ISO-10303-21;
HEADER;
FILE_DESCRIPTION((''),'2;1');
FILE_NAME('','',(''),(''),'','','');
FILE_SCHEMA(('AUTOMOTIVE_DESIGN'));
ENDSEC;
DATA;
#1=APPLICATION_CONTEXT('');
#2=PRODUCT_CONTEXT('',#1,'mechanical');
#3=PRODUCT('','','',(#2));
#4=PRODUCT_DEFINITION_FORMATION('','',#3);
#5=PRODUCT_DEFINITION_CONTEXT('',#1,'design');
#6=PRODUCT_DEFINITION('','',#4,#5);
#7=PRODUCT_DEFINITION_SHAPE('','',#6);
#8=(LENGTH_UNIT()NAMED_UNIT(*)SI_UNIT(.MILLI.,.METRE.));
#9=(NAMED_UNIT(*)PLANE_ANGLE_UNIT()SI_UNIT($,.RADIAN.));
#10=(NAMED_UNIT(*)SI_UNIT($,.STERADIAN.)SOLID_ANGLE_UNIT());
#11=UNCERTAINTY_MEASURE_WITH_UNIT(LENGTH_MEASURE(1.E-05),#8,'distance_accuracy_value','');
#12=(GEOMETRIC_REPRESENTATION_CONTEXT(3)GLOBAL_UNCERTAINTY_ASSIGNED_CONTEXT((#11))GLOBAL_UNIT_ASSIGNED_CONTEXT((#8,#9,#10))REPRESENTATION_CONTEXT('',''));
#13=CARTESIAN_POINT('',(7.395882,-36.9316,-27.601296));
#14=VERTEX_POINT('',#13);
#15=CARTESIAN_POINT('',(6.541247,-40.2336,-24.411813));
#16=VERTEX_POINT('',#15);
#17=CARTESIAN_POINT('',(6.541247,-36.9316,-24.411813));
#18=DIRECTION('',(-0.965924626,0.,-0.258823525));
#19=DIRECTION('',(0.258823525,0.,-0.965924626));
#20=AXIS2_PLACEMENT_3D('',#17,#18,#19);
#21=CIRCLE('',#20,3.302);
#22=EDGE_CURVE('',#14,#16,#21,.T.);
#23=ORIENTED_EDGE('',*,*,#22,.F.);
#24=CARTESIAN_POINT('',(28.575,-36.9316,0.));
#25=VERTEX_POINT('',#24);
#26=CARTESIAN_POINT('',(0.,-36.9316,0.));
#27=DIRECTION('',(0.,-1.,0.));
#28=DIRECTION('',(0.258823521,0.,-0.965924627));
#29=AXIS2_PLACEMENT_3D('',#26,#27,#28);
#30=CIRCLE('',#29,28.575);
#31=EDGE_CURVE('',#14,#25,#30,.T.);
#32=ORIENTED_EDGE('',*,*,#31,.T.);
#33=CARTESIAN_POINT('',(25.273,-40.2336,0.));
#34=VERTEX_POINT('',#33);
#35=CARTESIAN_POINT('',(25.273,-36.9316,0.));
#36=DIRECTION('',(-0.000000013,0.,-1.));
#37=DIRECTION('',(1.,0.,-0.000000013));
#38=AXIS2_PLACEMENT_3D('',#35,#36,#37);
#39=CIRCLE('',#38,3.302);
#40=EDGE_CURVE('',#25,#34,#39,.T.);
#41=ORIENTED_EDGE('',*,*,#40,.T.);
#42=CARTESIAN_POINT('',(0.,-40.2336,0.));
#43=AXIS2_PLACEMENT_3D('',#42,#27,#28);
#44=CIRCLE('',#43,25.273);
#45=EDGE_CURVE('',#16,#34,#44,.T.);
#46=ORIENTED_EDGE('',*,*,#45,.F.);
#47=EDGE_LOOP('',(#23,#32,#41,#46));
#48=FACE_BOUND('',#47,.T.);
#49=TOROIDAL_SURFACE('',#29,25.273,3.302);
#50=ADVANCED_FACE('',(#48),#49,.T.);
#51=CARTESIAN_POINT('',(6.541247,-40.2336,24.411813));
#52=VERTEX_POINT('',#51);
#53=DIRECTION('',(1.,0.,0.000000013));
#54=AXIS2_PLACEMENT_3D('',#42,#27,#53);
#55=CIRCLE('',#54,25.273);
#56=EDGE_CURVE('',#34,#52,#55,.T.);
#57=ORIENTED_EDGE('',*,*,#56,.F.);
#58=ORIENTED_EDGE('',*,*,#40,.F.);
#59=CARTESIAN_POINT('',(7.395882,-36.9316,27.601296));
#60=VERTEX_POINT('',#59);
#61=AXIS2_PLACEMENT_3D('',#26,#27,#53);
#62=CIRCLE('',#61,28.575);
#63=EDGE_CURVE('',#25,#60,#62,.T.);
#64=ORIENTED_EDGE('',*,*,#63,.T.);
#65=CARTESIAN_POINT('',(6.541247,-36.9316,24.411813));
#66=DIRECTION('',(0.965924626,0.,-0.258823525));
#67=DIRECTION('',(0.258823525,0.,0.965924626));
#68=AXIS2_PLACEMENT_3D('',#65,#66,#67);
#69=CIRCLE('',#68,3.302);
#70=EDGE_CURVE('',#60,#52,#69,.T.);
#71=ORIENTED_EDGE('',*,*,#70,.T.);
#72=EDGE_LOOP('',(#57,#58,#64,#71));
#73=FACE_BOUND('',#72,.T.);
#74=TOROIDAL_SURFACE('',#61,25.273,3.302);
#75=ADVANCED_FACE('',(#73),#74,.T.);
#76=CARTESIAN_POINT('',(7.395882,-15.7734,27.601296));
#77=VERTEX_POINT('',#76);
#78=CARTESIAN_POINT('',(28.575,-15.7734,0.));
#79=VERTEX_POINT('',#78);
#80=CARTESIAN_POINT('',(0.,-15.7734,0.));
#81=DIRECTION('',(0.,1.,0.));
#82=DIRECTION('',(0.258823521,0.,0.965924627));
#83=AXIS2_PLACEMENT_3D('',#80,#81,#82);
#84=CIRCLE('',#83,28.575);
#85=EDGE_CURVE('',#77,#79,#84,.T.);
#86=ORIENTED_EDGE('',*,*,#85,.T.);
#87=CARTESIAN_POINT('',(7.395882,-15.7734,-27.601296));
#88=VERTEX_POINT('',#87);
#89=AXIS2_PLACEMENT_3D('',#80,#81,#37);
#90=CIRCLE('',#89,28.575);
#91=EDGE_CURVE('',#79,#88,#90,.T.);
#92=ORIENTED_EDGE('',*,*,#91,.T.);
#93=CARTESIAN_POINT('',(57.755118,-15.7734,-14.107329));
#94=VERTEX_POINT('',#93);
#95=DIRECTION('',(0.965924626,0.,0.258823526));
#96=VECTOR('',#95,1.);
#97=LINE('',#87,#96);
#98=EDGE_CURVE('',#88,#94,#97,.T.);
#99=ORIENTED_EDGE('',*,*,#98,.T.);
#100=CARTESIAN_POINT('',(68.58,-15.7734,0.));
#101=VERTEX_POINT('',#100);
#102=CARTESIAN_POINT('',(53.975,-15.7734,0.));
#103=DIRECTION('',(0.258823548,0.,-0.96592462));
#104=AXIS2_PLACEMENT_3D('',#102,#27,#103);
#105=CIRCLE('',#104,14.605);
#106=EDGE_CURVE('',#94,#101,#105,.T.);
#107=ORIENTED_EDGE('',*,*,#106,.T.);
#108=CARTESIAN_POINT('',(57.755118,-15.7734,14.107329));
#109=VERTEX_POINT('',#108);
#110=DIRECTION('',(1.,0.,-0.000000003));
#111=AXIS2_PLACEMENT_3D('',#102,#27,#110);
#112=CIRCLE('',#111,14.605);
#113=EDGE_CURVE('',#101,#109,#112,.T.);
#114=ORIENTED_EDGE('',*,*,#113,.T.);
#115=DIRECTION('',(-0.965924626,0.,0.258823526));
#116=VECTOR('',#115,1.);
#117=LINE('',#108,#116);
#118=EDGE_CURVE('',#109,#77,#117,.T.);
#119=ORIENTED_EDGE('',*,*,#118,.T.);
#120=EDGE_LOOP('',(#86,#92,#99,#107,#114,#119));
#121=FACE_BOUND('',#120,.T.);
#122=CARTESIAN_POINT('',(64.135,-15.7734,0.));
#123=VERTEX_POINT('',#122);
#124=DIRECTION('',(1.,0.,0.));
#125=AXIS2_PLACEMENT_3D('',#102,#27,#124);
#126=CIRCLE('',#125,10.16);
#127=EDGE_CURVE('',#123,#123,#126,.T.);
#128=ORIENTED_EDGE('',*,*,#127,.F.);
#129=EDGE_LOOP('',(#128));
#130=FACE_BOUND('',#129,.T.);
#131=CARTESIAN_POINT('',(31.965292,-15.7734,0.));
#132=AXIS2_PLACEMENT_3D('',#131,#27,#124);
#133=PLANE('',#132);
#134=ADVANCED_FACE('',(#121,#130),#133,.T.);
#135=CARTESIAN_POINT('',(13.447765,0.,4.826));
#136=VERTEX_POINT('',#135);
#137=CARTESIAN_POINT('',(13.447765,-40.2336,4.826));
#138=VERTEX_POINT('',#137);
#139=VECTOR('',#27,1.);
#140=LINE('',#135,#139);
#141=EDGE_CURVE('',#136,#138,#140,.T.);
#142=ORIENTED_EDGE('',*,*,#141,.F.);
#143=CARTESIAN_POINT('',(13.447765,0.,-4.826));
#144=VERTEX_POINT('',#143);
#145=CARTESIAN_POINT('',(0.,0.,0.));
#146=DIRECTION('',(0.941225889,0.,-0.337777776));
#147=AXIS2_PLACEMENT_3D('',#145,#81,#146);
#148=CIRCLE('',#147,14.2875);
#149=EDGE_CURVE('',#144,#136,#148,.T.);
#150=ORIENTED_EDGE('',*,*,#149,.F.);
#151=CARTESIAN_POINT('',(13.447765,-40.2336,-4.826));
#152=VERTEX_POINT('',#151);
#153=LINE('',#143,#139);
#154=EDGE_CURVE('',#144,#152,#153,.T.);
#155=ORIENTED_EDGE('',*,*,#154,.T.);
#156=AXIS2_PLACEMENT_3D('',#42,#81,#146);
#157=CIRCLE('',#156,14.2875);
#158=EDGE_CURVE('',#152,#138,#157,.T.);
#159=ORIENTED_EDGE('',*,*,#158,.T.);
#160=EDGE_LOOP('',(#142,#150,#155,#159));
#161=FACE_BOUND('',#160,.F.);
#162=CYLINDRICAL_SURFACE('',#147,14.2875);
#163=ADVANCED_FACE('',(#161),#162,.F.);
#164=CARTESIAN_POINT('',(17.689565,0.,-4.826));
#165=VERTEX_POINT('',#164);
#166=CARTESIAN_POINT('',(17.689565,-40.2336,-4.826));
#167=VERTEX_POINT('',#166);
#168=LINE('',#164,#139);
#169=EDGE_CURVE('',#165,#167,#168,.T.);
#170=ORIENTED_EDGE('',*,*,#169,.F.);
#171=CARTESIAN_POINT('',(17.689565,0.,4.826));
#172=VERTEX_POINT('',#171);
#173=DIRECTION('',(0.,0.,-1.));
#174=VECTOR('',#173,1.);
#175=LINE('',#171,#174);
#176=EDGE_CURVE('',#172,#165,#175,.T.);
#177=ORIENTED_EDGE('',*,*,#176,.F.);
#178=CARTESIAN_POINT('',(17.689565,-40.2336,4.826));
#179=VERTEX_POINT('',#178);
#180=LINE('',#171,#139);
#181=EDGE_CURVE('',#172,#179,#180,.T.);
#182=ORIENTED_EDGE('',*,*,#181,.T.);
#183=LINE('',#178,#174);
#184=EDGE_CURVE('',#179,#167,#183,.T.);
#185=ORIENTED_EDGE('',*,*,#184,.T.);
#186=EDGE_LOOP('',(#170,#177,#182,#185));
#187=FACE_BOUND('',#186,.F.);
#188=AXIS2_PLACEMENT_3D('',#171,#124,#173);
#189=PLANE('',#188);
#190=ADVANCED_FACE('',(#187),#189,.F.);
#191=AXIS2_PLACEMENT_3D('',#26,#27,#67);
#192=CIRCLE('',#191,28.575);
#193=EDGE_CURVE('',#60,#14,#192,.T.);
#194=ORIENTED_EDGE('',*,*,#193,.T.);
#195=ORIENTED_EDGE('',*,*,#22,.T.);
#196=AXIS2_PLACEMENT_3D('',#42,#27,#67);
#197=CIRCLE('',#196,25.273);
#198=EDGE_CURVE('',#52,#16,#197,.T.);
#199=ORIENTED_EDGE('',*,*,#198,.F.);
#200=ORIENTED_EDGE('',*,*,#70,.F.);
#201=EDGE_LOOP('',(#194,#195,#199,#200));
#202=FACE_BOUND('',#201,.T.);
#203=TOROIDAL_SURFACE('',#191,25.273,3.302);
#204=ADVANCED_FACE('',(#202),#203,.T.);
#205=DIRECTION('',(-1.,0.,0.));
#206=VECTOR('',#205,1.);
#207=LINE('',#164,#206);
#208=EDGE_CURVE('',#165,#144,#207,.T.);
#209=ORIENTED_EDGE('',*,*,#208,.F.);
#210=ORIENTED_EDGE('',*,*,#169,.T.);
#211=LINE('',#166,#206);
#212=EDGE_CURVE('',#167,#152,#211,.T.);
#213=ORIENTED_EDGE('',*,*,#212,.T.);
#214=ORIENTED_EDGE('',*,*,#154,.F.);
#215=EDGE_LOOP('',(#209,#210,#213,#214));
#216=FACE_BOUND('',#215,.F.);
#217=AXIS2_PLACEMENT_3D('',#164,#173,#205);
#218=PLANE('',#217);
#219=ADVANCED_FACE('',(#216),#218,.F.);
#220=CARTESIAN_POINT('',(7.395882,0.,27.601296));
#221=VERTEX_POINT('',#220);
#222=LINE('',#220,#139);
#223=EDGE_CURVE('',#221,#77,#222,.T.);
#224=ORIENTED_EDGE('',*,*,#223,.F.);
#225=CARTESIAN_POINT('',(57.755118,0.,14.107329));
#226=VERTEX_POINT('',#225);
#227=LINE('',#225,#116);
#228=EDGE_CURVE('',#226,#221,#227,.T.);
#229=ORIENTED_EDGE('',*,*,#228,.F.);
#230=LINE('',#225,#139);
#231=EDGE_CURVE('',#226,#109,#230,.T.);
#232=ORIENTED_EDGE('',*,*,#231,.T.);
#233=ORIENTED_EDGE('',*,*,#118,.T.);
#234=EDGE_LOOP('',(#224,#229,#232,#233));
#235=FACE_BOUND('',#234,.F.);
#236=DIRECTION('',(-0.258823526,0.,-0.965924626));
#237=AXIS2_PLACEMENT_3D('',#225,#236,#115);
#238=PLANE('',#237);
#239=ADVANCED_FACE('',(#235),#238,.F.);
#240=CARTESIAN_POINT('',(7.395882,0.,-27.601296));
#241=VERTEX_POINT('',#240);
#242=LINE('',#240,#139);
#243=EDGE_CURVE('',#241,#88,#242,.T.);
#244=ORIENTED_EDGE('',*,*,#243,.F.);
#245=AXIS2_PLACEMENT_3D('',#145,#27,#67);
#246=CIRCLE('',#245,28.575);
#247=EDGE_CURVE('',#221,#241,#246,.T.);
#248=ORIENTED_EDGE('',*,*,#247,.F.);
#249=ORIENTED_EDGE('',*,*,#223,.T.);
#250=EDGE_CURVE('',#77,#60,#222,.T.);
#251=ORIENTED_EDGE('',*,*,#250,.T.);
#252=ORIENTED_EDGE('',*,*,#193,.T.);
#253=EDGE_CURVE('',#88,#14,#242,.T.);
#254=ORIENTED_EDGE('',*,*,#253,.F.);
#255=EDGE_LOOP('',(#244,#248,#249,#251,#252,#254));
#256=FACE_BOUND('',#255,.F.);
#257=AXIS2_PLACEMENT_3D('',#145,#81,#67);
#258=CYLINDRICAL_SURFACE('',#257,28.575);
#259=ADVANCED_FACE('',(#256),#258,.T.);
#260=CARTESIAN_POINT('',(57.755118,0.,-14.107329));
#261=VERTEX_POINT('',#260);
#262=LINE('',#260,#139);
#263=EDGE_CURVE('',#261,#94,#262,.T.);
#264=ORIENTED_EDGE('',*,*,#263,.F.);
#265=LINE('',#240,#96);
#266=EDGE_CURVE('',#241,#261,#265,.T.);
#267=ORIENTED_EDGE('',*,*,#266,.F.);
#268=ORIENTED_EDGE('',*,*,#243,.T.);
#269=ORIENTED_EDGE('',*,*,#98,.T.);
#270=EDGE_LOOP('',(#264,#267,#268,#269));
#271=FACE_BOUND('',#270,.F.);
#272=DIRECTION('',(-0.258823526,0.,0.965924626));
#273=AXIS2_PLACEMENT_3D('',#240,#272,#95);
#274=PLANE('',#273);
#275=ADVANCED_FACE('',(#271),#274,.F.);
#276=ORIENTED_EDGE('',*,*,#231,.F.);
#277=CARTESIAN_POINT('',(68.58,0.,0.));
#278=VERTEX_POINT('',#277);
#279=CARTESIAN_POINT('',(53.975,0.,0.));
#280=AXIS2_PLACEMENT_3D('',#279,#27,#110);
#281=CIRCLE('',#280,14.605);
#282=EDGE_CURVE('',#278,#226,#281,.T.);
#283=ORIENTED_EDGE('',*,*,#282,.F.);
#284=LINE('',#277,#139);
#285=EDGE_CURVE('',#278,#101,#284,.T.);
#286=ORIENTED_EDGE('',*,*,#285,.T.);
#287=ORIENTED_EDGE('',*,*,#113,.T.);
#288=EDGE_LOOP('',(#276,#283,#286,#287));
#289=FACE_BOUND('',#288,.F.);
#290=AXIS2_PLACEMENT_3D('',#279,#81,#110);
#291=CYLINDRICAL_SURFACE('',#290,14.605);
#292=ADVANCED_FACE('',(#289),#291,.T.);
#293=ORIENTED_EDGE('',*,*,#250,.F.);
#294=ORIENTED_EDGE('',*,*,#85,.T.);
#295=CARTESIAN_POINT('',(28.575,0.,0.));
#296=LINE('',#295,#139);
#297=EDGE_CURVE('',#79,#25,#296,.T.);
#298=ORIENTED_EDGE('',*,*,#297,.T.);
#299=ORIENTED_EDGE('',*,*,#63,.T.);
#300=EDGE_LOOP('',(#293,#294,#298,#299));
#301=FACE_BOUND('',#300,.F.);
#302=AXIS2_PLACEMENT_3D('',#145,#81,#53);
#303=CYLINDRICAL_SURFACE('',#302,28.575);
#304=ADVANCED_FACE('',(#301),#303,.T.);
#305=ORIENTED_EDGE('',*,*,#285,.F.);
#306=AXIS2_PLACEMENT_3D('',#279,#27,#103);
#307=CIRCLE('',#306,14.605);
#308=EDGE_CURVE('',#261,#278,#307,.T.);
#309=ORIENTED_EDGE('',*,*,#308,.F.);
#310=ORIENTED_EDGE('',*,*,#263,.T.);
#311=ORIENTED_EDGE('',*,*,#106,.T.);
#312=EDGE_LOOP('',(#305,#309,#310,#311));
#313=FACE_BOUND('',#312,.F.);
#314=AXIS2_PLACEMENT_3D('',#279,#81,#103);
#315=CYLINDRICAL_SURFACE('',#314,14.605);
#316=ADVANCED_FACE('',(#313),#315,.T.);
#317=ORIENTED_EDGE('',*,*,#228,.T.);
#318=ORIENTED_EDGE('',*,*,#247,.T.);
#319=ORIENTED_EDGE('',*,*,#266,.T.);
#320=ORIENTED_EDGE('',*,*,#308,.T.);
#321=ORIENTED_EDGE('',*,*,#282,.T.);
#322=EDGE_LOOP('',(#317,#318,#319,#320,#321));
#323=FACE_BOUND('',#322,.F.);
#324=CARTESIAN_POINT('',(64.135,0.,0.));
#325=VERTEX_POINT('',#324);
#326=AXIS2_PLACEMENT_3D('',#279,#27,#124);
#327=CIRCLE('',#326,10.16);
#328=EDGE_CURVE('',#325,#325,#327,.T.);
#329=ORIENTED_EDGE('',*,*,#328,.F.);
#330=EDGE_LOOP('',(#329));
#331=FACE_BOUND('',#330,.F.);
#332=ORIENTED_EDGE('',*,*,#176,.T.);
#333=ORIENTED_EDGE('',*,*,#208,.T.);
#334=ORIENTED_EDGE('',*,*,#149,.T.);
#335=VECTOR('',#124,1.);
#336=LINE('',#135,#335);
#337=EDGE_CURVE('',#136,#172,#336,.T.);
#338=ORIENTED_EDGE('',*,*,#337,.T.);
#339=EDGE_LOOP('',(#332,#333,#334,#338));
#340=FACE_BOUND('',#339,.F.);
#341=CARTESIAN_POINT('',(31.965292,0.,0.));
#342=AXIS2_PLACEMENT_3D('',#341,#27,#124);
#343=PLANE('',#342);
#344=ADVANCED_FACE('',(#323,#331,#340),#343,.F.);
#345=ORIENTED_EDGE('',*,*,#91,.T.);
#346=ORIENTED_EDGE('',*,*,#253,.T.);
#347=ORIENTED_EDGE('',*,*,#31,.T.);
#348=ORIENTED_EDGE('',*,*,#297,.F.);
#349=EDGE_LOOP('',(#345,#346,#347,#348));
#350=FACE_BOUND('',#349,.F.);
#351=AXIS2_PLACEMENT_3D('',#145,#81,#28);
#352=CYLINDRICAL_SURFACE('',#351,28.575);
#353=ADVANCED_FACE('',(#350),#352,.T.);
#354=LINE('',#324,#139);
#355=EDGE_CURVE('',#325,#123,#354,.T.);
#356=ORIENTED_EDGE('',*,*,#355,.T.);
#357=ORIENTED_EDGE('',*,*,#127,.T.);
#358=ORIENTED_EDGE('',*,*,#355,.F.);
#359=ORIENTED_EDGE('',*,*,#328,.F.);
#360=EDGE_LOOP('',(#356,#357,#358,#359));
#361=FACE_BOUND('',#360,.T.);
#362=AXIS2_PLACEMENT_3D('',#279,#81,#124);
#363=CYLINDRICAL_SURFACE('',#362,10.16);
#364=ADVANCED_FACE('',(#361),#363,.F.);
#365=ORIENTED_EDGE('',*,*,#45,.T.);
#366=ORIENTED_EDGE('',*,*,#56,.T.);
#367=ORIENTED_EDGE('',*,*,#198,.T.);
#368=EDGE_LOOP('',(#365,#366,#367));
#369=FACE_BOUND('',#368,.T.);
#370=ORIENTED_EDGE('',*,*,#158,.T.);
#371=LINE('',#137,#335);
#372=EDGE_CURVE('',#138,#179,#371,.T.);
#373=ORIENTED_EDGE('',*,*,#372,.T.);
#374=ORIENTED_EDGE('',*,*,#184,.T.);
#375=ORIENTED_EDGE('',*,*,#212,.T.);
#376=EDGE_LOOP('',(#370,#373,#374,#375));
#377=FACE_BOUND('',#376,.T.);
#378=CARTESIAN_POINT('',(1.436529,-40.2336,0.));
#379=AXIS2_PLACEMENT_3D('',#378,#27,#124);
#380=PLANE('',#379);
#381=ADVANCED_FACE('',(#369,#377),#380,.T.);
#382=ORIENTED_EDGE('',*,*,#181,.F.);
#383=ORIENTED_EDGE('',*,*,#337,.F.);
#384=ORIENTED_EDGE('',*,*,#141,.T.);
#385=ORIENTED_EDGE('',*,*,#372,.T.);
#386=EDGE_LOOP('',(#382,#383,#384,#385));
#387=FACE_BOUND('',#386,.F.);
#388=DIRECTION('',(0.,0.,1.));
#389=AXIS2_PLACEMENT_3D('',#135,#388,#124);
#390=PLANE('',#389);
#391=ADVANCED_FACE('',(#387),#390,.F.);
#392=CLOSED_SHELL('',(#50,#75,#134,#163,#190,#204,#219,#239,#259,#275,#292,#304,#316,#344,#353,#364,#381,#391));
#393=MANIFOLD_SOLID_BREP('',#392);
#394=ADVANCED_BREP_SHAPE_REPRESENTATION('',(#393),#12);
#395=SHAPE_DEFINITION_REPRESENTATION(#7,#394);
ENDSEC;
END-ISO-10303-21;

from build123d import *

# Parameters (mm, degrees)
F1_DEPTH = 40.2336
F0_R     = 10.16
F2_DEPTH = 15.7734
F3_R     = 3.302


with BuildPart() as f1:
    # F0 (on Front) → F1 (new body)
    with BuildSketch(Plane.XZ):
        with BuildLine():
            ThreePointArc((7.395882, -27.601296), (22.670112, -17.395305), (28.575, 0))
            ThreePointArc((28.575, 0), (22.670112, 17.395305), (7.395882, 27.601296))
            ThreePointArc((7.395882, 27.601296), (-28.575, 0), (7.395882, -27.601296))
        make_face()
        with BuildLine():
            ThreePointArc((13.447765, -4.826), (-14.2875, 0), (13.447765, 4.826))
            Line((13.447765, 4.826), (17.689565, 4.826))
            Line((17.689565, 4.826), (17.689565, -4.826))
            Line((17.689565, -4.826), (13.447765, -4.826))
        make_face(mode=Mode.SUBTRACT)
    extrude(amount=F1_DEPTH)

    # F0 (on Front) → F2 (join)
    with BuildSketch(Plane.XZ):
        with BuildLine():
            ThreePointArc((7.395882, 27.601296), (22.670112, 17.395305), (28.575, 0))
            ThreePointArc((28.575, 0), (22.670112, -17.395305), (7.395882, -27.601296))
            Line((7.395882, -27.601296), (57.755118, -14.107329))
            ThreePointArc((57.755118, -14.107329), (39.37, 0), (57.755118, 14.107329))
            Line((57.755118, 14.107329), (7.395882, 27.601296))
        make_face()
        with BuildLine():
            ThreePointArc((68.58, 0), (65.561946, 8.890934), (57.755118, 14.107329))
            ThreePointArc((57.755118, 14.107329), (39.37, 0), (57.755118, -14.107329))
            ThreePointArc((57.755118, -14.107329), (65.561946, -8.890934), (68.58, 0))
        make_face()
        with Locations((53.975, 0)):
            Circle(F0_R, mode=Mode.SUBTRACT)
    extrude(amount=F2_DEPTH)

    # F3
    f3_edges = [f1.edges().sort_by_distance(p)[0] for p in [
        (-7.395882, -40.2336, 27.601296),
    ]]
    fillet(f3_edges, radius=F3_R)


solid = f1.part
